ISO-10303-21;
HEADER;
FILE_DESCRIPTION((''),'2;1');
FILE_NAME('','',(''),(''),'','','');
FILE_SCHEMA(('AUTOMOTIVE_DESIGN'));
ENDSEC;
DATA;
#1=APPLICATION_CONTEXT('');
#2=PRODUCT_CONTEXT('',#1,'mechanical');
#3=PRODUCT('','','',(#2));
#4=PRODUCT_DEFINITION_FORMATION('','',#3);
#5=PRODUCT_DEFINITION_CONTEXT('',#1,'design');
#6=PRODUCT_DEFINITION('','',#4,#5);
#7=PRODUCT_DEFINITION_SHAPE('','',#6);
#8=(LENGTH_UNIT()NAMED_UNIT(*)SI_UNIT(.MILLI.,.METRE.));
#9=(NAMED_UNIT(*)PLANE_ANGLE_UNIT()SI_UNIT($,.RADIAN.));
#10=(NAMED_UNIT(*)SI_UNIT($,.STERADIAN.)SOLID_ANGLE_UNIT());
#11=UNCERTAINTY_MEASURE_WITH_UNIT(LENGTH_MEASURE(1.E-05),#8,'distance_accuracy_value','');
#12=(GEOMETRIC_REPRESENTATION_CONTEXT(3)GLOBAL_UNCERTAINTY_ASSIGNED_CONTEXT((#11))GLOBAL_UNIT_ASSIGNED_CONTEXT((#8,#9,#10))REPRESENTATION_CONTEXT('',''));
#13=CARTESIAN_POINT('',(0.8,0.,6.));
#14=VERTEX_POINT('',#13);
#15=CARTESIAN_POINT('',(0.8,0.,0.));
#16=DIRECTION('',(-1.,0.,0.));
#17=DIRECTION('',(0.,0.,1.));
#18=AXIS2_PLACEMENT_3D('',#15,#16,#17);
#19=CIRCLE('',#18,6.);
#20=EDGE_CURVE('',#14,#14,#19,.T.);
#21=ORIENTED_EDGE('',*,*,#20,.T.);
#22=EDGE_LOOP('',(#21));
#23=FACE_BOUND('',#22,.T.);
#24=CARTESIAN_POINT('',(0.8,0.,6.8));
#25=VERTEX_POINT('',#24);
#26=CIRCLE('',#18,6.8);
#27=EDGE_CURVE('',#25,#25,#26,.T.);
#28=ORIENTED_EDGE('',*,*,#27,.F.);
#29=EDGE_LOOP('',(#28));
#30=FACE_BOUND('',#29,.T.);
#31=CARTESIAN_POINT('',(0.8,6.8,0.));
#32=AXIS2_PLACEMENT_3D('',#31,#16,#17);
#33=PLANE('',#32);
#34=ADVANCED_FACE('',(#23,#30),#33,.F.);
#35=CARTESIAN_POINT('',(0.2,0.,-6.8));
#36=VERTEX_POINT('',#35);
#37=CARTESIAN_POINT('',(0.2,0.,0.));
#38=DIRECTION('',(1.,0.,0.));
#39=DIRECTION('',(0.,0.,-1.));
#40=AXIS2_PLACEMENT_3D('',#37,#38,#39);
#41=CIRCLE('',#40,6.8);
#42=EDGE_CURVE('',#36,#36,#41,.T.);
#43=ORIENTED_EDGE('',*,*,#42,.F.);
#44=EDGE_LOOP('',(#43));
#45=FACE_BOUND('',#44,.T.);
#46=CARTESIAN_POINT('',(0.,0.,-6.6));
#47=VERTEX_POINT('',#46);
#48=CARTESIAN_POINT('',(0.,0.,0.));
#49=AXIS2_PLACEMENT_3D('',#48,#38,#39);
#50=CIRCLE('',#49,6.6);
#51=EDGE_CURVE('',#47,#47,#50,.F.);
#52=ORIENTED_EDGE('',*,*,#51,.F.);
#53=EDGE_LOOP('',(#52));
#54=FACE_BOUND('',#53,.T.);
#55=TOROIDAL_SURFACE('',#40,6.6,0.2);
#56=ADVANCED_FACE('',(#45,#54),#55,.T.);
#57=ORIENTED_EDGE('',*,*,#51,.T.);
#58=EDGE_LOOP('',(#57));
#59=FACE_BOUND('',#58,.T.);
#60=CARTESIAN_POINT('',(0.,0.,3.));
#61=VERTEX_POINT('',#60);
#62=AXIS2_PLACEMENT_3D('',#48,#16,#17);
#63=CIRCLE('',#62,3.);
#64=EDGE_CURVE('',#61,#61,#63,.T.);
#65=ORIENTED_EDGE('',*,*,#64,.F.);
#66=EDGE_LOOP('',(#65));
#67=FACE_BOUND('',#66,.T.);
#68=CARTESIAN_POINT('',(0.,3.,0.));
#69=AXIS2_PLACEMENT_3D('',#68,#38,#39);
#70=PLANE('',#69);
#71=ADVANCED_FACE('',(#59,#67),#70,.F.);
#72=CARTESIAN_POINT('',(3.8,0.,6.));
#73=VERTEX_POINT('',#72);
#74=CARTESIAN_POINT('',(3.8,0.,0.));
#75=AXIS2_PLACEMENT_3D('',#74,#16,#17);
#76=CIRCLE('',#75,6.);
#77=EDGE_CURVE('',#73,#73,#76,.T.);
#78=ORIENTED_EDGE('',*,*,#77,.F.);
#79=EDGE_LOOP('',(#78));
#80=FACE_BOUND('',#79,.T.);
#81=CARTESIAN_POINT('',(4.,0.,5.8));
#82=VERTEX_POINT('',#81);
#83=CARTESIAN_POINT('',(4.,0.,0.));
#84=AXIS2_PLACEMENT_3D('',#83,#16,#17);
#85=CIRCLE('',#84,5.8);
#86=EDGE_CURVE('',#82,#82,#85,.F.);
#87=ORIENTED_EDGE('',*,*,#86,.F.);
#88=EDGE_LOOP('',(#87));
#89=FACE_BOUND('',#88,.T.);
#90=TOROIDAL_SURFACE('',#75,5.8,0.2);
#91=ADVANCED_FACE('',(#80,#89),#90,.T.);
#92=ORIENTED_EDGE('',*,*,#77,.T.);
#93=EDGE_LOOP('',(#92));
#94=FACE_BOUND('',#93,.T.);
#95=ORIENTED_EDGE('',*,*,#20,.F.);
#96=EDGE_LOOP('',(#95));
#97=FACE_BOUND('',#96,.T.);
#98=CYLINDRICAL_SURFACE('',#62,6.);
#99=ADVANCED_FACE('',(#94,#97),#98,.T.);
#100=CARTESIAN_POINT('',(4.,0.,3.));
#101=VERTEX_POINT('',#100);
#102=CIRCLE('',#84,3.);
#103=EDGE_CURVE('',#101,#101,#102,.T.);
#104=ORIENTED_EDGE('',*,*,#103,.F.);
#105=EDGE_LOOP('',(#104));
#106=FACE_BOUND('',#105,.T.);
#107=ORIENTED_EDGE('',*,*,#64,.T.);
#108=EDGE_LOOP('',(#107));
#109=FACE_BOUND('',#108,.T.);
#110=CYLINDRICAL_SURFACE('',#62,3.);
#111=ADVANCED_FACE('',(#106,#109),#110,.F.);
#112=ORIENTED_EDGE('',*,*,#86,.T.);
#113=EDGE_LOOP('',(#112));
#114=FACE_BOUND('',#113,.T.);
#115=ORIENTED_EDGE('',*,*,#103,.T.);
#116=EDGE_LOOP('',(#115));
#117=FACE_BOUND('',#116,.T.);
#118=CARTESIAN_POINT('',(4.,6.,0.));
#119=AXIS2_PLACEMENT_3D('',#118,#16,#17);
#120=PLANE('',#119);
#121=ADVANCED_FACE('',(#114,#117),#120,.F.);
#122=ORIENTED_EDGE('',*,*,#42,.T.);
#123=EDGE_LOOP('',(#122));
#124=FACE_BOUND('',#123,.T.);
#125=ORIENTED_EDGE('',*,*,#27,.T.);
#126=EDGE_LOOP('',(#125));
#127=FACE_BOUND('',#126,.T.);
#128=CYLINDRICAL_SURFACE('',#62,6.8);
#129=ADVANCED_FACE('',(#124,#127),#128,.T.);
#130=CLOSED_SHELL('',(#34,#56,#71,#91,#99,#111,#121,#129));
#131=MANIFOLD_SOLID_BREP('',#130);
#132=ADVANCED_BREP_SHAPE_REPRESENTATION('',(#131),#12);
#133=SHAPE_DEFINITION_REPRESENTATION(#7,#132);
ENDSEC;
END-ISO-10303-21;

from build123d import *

# Parameters (mm, degrees)
FILLET1_R = 0.2


with BuildPart() as part:
    # Sketch1 → Revolve1 (revolve)
    with BuildSketch(Plane.XY):
        Polygon((0, 3), (0, 6.8), (0.8, 6.8), (0.8, 6), (4, 6), (4, 3), align=None)
    revolve(axis=Axis((0, 0, 0), (1, 0, 0)))

    # Fillet1
    fillet1_edges = [part.edges().sort_by_distance(p)[0] for p in [
        (4, -6, 0),
        (0, -6.8, 0),
    ]]
    fillet(fillet1_edges, radius=FILLET1_R)


solid = part.part
